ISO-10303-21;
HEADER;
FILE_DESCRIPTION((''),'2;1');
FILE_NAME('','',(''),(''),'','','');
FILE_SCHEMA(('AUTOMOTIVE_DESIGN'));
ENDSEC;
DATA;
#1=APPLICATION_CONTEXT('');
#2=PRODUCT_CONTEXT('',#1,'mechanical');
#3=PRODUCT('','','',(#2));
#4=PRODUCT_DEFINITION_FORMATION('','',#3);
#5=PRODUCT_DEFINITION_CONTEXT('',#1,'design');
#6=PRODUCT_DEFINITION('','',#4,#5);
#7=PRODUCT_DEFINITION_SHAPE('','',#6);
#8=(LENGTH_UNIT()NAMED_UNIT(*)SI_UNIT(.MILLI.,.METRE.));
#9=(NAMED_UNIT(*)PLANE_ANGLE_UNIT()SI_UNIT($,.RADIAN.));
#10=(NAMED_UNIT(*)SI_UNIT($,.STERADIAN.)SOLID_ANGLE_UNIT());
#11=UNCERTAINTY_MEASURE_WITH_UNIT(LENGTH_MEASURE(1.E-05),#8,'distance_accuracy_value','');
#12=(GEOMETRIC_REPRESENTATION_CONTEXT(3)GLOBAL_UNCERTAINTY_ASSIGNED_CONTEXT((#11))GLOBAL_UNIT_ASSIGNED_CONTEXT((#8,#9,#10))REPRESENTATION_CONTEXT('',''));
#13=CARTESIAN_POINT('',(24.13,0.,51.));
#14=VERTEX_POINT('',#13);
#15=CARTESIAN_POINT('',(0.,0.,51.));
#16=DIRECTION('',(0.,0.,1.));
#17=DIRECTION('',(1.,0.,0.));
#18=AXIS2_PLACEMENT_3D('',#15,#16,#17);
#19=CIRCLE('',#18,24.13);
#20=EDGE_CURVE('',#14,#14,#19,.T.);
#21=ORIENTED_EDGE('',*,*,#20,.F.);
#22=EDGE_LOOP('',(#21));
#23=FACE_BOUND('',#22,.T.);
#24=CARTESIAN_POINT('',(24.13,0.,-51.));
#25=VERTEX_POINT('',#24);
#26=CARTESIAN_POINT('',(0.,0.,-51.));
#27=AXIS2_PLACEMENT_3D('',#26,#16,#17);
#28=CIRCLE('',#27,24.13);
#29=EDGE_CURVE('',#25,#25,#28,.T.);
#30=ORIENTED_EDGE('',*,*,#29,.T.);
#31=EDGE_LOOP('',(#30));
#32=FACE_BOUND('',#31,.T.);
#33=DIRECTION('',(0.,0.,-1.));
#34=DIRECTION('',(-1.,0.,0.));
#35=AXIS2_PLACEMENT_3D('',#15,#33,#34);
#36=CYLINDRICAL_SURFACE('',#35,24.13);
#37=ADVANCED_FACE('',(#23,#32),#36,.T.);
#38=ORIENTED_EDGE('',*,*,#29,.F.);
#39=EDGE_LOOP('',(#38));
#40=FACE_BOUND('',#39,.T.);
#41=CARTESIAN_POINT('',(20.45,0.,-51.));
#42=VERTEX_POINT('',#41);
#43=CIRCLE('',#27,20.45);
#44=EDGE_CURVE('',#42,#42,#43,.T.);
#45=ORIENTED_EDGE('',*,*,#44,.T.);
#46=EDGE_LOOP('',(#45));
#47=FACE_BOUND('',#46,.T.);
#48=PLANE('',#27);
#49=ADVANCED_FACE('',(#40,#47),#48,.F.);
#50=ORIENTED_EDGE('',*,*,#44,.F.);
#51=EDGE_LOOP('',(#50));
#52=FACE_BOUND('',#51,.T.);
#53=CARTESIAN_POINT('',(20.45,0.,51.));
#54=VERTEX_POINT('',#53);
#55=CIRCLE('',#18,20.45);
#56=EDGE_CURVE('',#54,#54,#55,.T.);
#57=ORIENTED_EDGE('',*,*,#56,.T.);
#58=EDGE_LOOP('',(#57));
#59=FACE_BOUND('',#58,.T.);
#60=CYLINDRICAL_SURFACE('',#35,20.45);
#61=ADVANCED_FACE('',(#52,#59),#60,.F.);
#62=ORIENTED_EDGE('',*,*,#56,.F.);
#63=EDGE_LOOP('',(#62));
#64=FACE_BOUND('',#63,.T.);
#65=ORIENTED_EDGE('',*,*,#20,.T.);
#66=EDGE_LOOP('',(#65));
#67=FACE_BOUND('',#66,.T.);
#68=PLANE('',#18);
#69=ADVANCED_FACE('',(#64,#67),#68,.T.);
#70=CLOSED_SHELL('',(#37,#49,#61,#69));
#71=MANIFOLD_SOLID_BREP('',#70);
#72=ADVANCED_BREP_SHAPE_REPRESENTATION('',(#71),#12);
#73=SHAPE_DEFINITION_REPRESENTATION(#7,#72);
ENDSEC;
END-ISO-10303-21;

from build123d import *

# Parameters (mm, degrees)
ESBO_O1_R       = 24.13
ESBO_O1_R_2     = 20.45
EXTRUS_O1_DEPTH = 51


with BuildPart() as part:
    # Esboço1 → Extrusão1 (new, symmetric)
    with BuildSketch(Plane.XY):
        Circle(ESBO_O1_R)
        Circle(ESBO_O1_R_2, mode=Mode.SUBTRACT)
    extrude(amount=EXTRUS_O1_DEPTH, both=True)


solid = part.part
